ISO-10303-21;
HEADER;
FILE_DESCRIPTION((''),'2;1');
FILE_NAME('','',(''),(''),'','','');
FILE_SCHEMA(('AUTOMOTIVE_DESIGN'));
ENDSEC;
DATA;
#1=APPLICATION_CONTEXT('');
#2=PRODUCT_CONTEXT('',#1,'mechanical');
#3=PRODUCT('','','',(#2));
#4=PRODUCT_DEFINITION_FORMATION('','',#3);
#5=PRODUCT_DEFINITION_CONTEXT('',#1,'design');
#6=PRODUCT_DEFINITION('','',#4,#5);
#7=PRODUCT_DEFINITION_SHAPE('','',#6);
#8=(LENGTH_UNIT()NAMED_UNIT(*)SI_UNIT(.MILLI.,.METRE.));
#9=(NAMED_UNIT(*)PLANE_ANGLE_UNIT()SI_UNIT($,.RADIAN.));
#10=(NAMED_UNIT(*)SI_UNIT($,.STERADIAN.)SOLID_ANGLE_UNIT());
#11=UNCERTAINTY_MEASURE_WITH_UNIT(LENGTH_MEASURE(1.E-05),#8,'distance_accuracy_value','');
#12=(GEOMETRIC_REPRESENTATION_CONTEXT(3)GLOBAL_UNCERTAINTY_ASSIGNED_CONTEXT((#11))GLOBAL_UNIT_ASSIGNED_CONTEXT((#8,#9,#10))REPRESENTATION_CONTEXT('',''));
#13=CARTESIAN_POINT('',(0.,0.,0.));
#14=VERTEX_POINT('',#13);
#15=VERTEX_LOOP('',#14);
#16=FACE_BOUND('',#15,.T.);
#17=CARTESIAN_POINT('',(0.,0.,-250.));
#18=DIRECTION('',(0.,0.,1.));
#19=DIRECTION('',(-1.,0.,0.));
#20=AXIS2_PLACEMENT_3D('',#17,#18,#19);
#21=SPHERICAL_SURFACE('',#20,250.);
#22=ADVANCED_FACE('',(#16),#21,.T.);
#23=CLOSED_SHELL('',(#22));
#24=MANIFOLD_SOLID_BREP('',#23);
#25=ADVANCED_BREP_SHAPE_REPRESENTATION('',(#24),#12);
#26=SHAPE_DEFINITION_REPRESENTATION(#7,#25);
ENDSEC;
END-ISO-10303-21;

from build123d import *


with BuildPart() as part:
    # Sketch1 → Revolve1 (revolve)
    with BuildSketch(Plane(origin=(0, 0, 0), x_dir=(1, 0, 0), z_dir=(0, 1, 0))):
        with BuildLine():
            Line((0, 0), (0, 500))
            ThreePointArc((0, 500), (250, 250), (0, 0))
        make_face()
    revolve(axis=Axis((0, 0, 0), (0, 0, -1)))


solid = part.part
